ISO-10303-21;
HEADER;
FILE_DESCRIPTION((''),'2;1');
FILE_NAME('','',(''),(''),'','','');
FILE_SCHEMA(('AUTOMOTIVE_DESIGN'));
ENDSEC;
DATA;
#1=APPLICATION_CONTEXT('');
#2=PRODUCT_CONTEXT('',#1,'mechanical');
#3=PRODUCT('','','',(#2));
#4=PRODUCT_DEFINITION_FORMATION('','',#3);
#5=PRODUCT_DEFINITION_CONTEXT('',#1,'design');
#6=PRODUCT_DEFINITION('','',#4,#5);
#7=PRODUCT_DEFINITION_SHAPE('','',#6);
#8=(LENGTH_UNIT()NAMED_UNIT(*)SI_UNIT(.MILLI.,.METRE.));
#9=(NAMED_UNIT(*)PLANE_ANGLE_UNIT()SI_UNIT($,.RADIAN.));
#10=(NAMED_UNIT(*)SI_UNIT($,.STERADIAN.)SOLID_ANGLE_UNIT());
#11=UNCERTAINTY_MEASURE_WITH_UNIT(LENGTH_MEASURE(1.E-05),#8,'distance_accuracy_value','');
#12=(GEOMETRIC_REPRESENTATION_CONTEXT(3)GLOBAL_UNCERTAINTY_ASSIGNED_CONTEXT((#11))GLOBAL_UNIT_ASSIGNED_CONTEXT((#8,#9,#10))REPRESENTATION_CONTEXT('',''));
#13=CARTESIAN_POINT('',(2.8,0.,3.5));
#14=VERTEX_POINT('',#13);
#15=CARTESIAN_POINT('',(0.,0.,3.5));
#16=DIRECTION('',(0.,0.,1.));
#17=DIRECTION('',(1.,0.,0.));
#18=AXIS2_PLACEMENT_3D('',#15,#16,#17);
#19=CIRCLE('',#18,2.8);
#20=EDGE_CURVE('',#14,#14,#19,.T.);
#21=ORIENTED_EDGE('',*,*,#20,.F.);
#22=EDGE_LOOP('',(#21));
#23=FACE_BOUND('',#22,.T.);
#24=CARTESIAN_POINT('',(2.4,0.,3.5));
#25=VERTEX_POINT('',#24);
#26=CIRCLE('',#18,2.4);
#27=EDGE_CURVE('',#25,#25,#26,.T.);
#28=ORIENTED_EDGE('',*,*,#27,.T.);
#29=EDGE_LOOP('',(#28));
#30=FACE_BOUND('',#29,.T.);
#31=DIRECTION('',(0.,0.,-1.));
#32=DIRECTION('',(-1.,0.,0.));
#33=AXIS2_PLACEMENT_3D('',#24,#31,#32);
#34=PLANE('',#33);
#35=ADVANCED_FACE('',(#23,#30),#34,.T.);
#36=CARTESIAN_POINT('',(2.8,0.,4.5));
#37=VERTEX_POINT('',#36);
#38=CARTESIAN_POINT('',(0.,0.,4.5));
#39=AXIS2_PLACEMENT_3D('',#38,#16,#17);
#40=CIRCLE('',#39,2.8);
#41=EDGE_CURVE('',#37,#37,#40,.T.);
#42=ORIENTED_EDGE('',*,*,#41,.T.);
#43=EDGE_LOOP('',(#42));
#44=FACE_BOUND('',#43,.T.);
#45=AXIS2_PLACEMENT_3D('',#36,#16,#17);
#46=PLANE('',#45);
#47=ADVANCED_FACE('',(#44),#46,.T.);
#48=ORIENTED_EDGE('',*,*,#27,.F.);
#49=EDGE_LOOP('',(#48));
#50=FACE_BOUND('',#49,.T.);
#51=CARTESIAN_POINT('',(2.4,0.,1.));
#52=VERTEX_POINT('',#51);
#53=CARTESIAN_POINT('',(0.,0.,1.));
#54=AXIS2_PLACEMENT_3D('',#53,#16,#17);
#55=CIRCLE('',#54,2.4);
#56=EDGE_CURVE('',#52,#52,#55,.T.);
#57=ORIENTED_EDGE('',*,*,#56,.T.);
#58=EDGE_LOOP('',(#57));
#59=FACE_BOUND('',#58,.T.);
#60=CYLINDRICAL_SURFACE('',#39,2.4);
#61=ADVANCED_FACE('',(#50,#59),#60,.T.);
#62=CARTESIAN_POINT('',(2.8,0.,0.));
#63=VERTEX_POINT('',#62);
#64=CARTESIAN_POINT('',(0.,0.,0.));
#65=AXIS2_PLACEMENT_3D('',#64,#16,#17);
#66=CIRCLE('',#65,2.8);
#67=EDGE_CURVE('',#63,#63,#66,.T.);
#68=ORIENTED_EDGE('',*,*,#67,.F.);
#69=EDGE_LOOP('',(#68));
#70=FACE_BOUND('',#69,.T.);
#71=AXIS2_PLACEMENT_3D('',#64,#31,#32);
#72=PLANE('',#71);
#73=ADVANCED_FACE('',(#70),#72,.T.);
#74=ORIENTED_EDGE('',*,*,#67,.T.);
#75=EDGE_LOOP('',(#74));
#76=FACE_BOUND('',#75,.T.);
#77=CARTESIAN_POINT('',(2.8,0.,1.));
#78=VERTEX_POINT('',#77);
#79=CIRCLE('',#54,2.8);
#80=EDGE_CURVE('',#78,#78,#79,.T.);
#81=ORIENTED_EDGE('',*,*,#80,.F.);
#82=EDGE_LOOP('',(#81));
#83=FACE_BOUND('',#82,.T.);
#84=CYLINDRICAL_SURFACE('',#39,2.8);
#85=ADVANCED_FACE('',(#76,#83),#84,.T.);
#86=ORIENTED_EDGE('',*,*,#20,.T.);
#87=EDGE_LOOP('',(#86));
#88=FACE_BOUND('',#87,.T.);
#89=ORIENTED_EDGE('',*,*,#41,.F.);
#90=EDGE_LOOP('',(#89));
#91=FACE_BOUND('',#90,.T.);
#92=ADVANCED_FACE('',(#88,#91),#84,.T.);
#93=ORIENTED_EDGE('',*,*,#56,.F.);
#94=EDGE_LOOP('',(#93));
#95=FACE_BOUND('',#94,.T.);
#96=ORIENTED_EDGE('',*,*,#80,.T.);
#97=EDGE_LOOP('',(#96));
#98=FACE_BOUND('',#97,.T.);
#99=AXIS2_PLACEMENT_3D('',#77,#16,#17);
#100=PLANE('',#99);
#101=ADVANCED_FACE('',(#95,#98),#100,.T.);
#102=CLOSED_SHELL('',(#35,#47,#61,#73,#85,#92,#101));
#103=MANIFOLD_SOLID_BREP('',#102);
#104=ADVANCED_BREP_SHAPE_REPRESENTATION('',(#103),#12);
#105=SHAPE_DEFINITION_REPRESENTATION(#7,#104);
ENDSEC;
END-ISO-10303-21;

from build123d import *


with BuildPart() as part:
    # Sketch1 → Revolve1 (revolve)
    with BuildSketch(Plane(origin=(0, 0, 0), x_dir=(1, 0, 0), z_dir=(0, 1, 0))):
        Polygon((0, 0), (2.8, 0), (2.8, -1), (2.4, -1), (2.4, -3.5), (2.8, -3.5), (2.8, -4.5), (0, -4.5), align=None)
    revolve(axis=Axis((0, 0, 4.5), (0, 0, -1)))


solid = part.part
